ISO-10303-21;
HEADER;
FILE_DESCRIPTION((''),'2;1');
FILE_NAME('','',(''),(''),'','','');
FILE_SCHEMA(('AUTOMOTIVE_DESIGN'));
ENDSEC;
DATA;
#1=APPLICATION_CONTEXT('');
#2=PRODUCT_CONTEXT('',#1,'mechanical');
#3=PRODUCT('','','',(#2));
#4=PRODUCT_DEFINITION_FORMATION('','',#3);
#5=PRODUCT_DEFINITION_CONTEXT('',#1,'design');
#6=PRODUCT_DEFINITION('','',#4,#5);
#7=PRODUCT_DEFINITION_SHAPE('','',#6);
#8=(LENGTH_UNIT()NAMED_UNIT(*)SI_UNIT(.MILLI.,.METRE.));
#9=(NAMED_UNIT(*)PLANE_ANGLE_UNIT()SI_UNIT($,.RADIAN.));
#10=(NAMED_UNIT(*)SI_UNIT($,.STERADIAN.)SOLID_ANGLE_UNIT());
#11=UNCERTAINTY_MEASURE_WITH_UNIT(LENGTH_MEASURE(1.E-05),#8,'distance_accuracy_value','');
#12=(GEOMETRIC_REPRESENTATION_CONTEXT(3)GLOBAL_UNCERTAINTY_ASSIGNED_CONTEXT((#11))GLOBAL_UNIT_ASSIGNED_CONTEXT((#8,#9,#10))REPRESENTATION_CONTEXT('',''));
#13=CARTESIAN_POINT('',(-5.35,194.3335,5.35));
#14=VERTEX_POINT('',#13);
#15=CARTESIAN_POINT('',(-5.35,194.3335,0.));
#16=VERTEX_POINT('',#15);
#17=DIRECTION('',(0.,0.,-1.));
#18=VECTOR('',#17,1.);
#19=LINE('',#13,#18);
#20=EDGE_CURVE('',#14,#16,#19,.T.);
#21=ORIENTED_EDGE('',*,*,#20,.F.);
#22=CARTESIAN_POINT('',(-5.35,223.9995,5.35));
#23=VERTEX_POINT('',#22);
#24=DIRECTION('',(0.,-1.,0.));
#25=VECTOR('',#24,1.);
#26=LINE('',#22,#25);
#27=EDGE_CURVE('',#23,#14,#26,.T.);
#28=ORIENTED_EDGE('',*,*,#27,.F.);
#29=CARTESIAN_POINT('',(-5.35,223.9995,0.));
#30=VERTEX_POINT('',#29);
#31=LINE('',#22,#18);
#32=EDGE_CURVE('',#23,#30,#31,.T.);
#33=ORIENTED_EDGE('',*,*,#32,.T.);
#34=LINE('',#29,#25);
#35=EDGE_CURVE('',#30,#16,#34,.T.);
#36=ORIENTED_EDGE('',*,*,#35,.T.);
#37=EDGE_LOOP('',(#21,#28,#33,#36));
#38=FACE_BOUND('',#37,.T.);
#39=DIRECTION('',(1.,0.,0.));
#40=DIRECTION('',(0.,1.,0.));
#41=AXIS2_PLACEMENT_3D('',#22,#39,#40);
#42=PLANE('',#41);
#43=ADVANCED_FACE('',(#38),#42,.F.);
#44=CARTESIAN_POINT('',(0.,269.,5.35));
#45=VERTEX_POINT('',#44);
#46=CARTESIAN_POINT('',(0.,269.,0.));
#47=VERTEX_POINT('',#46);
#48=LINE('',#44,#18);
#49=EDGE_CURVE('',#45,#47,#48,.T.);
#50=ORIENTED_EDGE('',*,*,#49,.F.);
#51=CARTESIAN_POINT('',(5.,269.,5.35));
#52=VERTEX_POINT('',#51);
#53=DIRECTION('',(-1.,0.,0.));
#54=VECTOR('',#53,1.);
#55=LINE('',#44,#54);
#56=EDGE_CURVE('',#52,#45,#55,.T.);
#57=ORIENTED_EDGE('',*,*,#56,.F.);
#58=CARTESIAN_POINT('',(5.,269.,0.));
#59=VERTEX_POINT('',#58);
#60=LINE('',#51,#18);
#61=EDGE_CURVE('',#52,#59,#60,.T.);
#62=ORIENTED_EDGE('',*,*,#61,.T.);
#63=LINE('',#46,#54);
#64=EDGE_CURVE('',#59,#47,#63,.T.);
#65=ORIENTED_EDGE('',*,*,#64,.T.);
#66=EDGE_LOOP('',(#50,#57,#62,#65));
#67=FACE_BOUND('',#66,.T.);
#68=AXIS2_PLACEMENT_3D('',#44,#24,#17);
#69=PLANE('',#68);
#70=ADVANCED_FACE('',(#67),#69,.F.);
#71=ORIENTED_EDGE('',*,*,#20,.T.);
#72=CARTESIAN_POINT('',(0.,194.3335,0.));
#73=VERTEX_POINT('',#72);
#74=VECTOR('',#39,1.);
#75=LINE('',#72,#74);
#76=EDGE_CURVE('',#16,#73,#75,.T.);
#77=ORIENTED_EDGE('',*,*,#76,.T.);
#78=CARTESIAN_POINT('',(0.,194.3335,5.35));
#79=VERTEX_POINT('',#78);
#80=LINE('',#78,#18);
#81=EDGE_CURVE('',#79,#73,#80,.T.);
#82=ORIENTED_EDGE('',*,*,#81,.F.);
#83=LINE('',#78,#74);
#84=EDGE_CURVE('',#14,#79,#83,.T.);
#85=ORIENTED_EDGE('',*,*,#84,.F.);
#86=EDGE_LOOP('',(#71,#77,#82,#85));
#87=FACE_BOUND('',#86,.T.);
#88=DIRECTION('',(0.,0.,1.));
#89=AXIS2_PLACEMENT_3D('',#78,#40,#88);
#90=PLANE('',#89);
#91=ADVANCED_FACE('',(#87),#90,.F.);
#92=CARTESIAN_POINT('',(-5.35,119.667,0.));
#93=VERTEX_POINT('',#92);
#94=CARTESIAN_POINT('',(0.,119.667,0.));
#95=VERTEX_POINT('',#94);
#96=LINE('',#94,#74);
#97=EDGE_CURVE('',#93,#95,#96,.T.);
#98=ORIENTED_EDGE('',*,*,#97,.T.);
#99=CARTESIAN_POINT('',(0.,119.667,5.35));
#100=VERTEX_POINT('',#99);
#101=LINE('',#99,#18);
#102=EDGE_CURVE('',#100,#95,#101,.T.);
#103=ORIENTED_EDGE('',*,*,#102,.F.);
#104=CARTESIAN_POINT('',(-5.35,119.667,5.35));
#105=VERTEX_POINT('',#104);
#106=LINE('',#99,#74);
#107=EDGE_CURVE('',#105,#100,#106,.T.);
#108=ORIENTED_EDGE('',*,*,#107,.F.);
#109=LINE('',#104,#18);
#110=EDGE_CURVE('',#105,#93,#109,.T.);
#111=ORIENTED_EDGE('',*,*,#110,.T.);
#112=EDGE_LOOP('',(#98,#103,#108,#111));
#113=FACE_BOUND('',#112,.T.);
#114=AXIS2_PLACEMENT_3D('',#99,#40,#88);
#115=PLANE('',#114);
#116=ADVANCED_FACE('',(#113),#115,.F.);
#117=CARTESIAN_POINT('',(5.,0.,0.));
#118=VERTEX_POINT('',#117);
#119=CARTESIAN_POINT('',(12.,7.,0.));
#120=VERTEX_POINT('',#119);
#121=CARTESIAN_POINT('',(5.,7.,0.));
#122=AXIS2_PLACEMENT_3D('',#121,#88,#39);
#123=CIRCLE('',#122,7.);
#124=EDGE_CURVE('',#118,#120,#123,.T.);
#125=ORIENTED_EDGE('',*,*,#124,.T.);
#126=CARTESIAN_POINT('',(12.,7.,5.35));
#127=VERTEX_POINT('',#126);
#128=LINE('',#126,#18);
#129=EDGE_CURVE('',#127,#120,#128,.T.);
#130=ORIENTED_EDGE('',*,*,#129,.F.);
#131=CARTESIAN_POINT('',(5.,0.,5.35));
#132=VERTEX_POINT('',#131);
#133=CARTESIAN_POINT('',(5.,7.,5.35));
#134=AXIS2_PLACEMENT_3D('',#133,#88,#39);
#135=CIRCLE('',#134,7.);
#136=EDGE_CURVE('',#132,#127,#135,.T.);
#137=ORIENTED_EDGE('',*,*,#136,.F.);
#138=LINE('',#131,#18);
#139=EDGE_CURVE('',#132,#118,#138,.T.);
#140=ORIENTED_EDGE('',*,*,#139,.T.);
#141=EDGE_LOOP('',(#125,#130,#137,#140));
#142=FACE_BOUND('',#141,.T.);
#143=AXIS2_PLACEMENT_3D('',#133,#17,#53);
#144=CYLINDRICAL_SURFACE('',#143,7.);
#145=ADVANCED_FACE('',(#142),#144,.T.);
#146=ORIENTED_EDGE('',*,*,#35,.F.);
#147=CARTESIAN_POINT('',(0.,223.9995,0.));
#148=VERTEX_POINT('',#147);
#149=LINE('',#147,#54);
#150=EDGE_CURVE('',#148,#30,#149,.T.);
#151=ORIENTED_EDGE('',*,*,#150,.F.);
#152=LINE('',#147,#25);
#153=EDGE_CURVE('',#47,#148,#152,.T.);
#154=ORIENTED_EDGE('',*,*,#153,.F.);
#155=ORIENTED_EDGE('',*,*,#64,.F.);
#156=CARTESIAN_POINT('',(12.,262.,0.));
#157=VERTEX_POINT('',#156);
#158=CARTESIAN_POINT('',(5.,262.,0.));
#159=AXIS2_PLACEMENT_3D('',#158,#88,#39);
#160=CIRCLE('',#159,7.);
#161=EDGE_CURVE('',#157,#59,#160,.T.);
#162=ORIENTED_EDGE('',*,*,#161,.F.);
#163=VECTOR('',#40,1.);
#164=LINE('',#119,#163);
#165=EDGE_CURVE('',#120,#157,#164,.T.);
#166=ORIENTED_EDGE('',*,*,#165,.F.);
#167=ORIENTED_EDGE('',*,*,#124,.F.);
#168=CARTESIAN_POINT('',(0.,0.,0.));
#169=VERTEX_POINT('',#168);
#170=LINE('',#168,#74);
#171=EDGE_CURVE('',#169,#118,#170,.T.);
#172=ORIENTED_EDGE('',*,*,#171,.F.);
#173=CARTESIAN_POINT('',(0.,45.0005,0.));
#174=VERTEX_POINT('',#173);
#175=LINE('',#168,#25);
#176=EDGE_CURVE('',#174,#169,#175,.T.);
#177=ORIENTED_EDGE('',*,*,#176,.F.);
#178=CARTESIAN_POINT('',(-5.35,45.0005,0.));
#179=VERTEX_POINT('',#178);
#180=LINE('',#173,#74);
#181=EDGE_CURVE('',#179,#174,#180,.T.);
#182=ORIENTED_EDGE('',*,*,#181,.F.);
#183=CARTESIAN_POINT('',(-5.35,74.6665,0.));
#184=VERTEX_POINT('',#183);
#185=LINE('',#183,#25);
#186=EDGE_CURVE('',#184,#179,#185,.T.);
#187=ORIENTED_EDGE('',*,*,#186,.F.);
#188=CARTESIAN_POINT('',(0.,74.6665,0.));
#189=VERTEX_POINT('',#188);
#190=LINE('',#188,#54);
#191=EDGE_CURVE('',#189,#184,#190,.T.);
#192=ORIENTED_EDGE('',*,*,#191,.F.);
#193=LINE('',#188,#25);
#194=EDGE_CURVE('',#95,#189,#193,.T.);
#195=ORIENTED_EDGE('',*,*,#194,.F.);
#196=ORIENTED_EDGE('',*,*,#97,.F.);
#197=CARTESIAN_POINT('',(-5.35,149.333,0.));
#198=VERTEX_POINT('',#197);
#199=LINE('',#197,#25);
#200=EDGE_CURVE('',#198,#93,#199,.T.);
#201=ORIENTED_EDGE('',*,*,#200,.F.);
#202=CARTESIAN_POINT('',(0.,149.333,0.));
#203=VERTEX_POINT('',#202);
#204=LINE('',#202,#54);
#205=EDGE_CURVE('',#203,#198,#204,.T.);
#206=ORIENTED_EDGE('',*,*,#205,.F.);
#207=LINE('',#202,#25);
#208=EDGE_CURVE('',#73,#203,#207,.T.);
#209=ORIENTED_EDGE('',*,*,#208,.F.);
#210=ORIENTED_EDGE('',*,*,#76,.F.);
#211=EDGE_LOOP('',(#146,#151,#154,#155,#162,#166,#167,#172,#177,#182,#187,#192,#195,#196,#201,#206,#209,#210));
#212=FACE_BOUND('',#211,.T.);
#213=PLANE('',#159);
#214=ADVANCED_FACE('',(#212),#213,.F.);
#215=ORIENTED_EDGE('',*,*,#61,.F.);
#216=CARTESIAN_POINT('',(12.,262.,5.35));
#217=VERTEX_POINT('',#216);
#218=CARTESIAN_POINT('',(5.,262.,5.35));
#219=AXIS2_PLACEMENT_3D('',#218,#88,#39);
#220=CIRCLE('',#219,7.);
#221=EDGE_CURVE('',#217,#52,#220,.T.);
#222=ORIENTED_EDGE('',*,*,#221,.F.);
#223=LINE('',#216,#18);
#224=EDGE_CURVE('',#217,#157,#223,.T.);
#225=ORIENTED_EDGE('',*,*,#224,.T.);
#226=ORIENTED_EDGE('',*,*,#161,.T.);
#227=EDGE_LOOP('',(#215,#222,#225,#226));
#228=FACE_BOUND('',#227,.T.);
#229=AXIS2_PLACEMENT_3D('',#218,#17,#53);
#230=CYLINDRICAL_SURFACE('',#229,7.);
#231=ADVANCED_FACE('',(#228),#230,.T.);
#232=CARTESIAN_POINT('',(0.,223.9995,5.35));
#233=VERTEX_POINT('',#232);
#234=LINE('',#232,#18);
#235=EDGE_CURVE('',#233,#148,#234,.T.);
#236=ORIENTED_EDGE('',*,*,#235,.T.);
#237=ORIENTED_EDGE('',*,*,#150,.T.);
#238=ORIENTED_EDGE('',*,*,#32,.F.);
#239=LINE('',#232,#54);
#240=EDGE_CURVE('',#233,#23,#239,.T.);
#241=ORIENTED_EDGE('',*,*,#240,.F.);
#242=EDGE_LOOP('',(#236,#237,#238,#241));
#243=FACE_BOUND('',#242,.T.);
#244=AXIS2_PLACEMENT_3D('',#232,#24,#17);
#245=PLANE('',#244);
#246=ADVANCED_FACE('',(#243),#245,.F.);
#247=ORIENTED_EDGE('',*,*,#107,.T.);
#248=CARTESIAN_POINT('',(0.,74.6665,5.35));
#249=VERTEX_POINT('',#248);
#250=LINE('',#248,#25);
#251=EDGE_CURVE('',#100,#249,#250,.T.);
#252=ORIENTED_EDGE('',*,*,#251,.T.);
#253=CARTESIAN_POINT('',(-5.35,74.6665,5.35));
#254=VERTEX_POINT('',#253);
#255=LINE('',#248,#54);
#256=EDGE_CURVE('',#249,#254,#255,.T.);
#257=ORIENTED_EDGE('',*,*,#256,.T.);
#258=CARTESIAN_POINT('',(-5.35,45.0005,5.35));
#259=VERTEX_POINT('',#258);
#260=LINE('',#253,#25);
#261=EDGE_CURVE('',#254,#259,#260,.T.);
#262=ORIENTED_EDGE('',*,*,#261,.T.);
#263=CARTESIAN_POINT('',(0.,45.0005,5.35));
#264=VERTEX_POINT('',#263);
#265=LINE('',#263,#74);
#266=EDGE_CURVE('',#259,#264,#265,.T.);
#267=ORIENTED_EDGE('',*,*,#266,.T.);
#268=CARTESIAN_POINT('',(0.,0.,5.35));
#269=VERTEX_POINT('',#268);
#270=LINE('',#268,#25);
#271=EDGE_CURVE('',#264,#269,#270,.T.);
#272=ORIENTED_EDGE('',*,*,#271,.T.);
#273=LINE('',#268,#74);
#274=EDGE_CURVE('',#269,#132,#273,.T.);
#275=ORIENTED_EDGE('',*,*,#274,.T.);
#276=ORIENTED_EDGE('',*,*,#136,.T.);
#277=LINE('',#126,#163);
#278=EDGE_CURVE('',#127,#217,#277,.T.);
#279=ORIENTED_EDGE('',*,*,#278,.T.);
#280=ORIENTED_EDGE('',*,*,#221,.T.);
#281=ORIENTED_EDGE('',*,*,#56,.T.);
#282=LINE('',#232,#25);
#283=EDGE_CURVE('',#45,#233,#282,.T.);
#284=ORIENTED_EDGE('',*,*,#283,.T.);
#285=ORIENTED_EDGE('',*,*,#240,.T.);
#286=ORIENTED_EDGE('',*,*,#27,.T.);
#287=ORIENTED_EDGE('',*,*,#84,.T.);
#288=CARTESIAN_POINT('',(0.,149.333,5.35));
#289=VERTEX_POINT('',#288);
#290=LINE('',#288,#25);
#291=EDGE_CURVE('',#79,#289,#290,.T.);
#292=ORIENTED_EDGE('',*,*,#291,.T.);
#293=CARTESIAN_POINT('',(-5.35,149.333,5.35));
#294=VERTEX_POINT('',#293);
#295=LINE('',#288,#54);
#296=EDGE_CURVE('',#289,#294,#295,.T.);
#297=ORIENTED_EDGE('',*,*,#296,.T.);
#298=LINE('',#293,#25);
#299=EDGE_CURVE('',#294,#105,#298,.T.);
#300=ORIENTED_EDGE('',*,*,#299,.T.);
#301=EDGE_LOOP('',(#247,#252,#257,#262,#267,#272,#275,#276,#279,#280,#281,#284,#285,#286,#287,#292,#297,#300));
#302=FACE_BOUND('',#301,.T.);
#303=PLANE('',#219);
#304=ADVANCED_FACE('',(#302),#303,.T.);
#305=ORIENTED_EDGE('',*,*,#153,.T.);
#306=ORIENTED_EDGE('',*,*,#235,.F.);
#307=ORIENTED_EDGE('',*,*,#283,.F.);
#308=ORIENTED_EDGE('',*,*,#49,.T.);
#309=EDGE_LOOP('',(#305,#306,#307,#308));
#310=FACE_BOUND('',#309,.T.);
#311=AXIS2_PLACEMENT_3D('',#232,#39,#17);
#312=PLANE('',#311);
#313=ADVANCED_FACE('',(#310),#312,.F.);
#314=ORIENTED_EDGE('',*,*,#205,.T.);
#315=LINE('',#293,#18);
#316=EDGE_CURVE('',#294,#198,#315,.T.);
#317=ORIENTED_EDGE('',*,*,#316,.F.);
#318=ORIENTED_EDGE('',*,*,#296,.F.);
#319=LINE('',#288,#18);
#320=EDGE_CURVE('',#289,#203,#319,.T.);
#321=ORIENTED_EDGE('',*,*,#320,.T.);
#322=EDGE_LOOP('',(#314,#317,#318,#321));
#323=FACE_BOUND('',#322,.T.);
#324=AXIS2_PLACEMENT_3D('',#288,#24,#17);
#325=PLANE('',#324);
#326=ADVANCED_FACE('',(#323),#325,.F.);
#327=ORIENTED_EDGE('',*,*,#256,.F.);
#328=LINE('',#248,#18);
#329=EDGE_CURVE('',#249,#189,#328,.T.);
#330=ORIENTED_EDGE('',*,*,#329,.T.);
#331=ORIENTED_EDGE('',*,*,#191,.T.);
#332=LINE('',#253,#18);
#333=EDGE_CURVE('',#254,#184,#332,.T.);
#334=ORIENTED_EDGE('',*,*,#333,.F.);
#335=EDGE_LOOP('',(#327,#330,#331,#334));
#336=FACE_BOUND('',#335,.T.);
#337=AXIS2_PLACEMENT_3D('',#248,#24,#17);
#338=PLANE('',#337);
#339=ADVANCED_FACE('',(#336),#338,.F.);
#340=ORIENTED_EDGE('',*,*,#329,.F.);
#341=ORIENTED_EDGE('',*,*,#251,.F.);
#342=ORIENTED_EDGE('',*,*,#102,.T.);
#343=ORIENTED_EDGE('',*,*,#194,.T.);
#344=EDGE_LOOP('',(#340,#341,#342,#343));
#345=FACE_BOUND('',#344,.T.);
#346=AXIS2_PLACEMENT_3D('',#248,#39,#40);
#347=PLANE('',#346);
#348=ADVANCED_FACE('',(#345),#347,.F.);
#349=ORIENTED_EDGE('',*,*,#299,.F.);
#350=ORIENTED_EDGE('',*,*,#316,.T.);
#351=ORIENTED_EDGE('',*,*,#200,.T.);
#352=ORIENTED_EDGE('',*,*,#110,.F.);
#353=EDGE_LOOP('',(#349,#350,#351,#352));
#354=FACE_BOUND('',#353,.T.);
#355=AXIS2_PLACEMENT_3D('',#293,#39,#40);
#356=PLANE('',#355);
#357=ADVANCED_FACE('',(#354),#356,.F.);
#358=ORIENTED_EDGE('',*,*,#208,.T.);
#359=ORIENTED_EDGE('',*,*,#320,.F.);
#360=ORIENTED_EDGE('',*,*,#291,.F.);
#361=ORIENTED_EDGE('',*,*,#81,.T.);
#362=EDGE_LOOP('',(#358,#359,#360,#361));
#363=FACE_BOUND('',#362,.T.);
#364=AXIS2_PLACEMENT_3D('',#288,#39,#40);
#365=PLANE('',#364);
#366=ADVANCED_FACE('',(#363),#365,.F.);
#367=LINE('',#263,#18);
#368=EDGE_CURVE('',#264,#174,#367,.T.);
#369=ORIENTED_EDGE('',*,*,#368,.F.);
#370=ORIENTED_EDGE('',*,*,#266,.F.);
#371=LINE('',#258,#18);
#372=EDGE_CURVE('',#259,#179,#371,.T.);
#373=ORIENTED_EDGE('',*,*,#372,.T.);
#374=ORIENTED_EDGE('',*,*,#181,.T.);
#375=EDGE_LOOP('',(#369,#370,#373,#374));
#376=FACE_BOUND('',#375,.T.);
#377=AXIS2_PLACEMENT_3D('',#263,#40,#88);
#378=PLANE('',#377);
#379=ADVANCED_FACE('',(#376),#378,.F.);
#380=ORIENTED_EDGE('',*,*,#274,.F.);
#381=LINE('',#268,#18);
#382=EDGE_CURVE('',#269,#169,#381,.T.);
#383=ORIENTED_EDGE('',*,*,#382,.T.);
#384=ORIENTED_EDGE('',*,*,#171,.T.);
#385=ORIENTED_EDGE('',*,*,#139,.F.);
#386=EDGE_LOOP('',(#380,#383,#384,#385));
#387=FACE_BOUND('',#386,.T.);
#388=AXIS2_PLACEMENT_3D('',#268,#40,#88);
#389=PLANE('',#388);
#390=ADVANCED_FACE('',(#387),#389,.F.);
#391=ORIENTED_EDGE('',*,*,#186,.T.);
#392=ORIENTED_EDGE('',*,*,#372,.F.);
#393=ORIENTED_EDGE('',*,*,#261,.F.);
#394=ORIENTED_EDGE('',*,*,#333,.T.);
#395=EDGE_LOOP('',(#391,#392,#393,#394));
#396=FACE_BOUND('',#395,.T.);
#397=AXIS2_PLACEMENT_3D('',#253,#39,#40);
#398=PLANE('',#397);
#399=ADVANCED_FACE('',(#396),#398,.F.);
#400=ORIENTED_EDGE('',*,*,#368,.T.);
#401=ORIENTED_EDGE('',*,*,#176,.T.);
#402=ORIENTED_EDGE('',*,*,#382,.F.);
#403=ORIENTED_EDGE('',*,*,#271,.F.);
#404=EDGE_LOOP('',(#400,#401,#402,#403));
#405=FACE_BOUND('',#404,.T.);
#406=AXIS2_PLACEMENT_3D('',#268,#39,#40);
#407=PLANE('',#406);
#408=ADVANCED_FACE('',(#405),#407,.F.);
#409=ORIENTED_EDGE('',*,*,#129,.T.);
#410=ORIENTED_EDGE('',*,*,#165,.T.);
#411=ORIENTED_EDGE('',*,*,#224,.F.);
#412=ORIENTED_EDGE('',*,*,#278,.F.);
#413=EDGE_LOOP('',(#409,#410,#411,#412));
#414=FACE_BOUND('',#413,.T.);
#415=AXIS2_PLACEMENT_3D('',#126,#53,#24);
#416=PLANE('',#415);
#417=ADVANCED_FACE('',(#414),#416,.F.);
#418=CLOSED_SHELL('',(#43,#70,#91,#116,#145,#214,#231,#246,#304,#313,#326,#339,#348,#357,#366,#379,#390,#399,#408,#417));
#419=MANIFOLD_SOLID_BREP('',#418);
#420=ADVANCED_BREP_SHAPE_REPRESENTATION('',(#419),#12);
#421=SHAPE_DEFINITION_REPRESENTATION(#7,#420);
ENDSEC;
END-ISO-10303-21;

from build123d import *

# Parameters (mm, degrees)
BOSS_EXTRUDE1_DEPTH = 5.35


with BuildPart() as part:
    # Model → Boss-Extrude1 (new body)
    with BuildSketch(Plane.XY):
        with BuildLine():
            Line((0, 149.333), (0, 194.3335))
            Line((0, 194.3335), (-5.35, 194.3335))
            Line((-5.35, 194.3335), (-5.35, 223.9995))
            Line((-5.35, 223.9995), (0, 223.9995))
            Line((0, 223.9995), (0, 269))
            Line((0, 269), (5, 269))
            ThreePointArc((5, 269), (9.949747468, 266.949747468), (12, 262))
            Line((12, 262), (12, 7))
            ThreePointArc((12, 7), (9.949747468, 2.050252532), (5, 0))
            Line((5, 0), (0, 0))
            Line((0, 0), (0, 45.0005))
            Line((0, 45.0005), (-5.35, 45.0005))
            Line((-5.35, 45.0005), (-5.35, 74.6665))
            Line((-5.35, 74.6665), (0, 74.6665))
            Line((0, 74.6665), (0, 119.667))
            Line((0, 119.667), (-5.35, 119.667))
            Line((-5.35, 119.667), (-5.35, 149.333))
            Line((-5.35, 149.333), (0, 149.333))
        make_face()
    extrude(amount=BOSS_EXTRUDE1_DEPTH)


solid = part.part
